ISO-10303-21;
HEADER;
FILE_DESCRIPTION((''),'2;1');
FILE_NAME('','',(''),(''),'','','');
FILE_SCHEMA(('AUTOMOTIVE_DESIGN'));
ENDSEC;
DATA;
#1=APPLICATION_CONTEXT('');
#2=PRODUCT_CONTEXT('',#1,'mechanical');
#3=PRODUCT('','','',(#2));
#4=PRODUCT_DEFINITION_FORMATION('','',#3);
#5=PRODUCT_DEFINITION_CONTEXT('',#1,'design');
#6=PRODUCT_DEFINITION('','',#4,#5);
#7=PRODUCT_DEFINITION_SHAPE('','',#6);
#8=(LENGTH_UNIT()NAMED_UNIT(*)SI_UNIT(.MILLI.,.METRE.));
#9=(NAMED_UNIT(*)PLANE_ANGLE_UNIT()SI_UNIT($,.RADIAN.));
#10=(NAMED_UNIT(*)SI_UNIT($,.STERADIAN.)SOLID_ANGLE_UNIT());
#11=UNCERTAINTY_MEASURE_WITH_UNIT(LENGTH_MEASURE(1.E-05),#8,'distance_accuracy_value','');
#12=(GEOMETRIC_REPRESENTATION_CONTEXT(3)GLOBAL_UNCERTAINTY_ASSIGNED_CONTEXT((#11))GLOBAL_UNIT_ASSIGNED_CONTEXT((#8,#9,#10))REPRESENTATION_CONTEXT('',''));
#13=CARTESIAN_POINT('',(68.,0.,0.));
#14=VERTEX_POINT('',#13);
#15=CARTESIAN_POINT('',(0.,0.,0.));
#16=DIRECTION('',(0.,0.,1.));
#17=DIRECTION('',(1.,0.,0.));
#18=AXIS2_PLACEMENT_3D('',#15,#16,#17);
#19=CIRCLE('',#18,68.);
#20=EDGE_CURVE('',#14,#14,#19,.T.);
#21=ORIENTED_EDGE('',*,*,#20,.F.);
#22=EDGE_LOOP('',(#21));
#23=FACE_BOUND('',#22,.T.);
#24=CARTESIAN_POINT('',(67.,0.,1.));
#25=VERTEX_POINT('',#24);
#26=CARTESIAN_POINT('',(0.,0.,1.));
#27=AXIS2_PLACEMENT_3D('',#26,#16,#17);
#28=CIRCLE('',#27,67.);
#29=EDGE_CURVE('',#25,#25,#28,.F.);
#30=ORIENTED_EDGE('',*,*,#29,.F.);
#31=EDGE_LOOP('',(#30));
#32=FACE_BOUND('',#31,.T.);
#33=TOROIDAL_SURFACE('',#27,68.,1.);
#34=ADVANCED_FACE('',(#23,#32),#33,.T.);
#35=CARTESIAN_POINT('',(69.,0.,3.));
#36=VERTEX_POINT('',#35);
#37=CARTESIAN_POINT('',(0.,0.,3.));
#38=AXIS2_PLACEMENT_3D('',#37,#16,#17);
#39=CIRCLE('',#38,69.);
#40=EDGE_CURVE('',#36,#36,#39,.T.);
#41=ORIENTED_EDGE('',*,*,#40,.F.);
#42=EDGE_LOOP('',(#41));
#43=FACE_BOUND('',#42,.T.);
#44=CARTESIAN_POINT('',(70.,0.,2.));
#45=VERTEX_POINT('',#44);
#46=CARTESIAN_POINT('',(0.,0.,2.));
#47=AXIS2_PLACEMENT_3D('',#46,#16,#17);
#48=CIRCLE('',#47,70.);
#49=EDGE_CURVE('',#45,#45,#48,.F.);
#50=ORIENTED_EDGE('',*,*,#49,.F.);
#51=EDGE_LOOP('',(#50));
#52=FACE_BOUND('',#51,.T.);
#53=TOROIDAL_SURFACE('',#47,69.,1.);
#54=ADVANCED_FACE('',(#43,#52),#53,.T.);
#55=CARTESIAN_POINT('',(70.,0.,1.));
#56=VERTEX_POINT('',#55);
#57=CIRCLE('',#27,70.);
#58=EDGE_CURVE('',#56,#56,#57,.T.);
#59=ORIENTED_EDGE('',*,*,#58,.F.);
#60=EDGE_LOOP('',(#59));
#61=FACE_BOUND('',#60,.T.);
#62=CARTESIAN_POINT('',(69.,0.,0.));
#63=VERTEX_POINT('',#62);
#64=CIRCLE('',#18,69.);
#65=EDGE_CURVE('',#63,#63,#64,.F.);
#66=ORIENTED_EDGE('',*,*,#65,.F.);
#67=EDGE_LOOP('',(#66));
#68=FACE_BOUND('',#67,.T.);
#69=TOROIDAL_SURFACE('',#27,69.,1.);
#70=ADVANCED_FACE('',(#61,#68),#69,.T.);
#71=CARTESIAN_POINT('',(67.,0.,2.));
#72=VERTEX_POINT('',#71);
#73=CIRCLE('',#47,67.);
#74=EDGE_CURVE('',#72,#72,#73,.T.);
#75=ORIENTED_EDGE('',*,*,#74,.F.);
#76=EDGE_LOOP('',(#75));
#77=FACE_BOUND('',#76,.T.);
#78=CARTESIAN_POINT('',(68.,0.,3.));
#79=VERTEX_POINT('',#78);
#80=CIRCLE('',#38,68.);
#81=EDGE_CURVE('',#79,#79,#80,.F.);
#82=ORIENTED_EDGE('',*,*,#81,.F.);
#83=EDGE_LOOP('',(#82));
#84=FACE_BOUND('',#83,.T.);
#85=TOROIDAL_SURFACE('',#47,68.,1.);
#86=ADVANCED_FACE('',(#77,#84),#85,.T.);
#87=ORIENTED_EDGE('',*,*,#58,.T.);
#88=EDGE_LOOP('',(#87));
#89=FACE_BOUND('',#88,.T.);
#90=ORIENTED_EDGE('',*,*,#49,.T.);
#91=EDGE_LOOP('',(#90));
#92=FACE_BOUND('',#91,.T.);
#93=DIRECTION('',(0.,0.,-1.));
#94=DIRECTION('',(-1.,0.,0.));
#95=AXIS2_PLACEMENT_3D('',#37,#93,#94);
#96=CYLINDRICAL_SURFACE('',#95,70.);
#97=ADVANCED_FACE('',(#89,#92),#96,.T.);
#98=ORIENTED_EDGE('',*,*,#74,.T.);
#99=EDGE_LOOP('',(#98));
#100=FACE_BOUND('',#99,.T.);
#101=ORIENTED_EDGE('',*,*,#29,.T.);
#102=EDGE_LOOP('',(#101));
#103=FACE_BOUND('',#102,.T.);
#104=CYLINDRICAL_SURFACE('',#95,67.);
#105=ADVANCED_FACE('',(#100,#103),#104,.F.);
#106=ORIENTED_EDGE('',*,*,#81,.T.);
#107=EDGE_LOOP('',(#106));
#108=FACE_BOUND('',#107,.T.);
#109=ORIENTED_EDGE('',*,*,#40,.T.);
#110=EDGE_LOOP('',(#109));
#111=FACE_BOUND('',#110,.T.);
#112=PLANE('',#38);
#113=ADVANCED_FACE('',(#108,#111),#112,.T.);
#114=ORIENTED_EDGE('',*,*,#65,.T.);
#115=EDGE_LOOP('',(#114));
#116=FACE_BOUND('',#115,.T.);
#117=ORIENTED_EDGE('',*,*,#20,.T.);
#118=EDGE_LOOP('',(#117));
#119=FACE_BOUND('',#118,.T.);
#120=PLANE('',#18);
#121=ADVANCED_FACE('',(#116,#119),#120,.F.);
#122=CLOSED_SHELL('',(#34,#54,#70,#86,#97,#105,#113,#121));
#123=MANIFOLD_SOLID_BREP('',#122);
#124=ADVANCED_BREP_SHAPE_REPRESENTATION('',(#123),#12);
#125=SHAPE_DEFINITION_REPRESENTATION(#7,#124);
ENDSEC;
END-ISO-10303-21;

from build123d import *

# Parameters (mm, degrees)
SCHIZZO1_R                   = 70
SCHIZZO1_R_2                 = 67
ESTRUSIONE_ESTRUSIONE1_DEPTH = 3
RACCORDO1_R                  = 1


with BuildPart() as part:
    # Schizzo1 → Estrusione-Estrusione1 (new body)
    with BuildSketch(Plane.XY):
        Circle(SCHIZZO1_R)
        Circle(SCHIZZO1_R_2, mode=Mode.SUBTRACT)
    extrude(amount=ESTRUSIONE_ESTRUSIONE1_DEPTH)

    # Raccordo1
    raccordo1_edges = [part.edges().sort_by_distance(p)[0] for p in [
        (-70, 0, 0),
        (-70, 0, 3),
        (-67, 0, 0),
        (-67, 0, 3),
    ]]
    fillet(raccordo1_edges, radius=RACCORDO1_R)


solid = part.part
